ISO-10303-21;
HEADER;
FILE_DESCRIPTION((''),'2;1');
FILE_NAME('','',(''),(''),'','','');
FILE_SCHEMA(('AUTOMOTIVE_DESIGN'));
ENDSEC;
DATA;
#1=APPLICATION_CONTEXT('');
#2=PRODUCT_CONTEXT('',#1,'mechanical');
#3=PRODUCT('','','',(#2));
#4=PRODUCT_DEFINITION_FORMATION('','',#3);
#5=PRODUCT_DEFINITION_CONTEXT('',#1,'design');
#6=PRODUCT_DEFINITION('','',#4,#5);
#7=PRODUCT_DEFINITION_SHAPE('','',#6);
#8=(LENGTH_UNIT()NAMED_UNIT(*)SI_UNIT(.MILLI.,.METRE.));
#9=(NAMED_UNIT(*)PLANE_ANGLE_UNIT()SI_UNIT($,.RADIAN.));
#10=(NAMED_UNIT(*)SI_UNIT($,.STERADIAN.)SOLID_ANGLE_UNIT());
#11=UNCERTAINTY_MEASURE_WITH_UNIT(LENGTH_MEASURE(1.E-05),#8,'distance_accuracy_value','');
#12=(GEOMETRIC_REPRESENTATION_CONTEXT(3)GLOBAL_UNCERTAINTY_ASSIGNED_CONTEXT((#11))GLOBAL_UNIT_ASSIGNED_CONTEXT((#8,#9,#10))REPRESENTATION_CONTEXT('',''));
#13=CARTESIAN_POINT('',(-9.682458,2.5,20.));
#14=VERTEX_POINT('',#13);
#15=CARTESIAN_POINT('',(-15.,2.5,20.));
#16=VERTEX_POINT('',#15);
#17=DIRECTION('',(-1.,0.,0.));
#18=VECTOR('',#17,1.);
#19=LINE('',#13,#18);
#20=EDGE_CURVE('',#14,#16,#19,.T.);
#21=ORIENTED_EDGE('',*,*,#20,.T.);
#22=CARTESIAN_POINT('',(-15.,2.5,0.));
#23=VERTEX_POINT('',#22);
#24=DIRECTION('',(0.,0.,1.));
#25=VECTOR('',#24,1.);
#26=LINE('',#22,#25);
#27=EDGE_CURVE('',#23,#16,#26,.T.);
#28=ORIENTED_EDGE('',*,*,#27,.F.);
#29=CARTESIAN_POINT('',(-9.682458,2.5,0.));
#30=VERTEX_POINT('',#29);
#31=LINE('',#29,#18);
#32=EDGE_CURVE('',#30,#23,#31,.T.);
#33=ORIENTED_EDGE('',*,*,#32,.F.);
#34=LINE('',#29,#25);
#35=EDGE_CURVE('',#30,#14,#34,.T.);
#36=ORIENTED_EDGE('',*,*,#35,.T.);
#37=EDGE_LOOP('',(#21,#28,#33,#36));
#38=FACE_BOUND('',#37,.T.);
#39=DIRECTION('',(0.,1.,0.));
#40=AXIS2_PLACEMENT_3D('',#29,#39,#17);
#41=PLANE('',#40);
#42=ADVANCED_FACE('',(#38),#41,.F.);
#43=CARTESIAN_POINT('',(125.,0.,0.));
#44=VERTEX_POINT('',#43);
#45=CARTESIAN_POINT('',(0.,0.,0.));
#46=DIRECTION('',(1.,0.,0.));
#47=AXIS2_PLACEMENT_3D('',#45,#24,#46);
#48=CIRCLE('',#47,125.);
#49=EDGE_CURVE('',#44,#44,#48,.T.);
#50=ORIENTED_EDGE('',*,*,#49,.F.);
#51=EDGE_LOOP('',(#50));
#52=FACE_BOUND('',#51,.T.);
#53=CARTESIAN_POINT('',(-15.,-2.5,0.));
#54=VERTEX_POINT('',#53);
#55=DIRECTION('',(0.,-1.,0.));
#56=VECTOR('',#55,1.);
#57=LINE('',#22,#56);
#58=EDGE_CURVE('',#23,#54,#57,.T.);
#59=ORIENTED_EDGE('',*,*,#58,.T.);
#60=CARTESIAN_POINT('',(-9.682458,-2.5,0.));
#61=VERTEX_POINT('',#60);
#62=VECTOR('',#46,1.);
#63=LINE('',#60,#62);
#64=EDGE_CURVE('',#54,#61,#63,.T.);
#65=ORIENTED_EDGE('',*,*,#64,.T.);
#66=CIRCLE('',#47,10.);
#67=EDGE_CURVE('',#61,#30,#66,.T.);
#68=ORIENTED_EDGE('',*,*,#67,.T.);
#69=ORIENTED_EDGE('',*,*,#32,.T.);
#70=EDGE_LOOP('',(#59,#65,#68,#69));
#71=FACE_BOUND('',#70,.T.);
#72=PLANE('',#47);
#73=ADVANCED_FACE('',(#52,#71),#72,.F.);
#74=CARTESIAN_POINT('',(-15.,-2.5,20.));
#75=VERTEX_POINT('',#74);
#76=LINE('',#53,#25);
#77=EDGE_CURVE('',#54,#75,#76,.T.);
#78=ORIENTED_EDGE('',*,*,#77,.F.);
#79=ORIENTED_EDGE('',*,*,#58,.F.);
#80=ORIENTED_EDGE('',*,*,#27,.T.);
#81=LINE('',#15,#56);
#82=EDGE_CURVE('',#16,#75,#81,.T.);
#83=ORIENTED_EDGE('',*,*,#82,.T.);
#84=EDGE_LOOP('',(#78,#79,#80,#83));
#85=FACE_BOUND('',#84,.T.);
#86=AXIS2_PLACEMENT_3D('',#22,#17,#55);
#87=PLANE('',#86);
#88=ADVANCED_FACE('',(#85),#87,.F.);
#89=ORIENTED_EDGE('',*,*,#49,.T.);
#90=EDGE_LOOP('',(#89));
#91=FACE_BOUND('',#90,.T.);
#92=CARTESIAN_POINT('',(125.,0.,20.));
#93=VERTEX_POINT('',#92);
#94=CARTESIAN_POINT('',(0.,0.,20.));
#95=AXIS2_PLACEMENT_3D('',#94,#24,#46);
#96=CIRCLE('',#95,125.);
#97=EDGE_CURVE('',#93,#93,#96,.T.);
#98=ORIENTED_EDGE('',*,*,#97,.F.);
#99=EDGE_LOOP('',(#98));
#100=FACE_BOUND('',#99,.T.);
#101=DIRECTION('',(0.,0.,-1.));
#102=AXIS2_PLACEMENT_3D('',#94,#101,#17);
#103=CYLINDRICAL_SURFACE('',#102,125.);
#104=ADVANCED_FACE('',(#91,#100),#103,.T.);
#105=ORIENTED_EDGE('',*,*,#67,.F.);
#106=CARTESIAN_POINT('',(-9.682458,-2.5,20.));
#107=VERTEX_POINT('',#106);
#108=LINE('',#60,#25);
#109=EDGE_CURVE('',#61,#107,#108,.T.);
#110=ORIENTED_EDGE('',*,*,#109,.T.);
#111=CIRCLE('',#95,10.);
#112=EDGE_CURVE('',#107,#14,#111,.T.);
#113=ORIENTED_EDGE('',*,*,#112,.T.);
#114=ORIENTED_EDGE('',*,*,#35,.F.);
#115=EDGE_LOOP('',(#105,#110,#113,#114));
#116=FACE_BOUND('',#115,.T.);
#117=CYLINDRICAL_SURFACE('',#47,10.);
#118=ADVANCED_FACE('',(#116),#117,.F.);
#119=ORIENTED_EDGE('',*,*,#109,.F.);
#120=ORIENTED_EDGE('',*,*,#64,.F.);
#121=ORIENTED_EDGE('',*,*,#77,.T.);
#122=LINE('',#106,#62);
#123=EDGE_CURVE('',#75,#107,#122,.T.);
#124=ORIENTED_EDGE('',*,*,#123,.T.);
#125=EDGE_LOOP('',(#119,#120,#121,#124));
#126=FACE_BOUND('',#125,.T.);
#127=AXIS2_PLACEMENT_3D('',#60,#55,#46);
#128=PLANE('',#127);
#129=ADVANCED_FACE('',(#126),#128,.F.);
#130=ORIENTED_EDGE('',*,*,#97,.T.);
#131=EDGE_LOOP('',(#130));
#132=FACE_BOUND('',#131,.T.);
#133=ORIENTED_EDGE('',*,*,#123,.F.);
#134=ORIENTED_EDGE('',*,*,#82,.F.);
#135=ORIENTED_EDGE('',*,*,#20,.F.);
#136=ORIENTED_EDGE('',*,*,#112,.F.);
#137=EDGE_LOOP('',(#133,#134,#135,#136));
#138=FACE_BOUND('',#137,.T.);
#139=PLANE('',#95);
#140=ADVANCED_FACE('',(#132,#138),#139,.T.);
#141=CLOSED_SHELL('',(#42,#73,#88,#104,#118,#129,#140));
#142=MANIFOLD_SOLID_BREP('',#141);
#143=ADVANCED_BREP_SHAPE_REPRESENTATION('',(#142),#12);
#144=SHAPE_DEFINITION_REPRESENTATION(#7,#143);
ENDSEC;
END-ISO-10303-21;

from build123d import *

# Parameters (mm, degrees)
SKETCH1_R           = 125
BOSS_EXTRUDE1_DEPTH = 20
CUT_EXTRUDE1_DEPTH  = 21


with BuildPart() as part:
    # Sketch1 → Boss-Extrude1 (new body)
    with BuildSketch(Plane.XY):
        Circle(SKETCH1_R)
    extrude(amount=BOSS_EXTRUDE1_DEPTH)

    # Sketch2 → Cut-Extrude1 (cut, through all)
    with BuildSketch(Plane.XY.offset(20)):
        with BuildLine():
            Line((-9.682458366, 2.5), (-15, 2.5))
            Line((-15, 2.5), (-15, -2.5))
            Line((-15, -2.5), (-9.682458366, -2.5))
            ThreePointArc((-9.682458366, -2.5), (10, 0), (-9.682458366, 2.5))
        make_face()
    extrude(amount=-CUT_EXTRUDE1_DEPTH, mode=Mode.SUBTRACT)


solid = part.part
